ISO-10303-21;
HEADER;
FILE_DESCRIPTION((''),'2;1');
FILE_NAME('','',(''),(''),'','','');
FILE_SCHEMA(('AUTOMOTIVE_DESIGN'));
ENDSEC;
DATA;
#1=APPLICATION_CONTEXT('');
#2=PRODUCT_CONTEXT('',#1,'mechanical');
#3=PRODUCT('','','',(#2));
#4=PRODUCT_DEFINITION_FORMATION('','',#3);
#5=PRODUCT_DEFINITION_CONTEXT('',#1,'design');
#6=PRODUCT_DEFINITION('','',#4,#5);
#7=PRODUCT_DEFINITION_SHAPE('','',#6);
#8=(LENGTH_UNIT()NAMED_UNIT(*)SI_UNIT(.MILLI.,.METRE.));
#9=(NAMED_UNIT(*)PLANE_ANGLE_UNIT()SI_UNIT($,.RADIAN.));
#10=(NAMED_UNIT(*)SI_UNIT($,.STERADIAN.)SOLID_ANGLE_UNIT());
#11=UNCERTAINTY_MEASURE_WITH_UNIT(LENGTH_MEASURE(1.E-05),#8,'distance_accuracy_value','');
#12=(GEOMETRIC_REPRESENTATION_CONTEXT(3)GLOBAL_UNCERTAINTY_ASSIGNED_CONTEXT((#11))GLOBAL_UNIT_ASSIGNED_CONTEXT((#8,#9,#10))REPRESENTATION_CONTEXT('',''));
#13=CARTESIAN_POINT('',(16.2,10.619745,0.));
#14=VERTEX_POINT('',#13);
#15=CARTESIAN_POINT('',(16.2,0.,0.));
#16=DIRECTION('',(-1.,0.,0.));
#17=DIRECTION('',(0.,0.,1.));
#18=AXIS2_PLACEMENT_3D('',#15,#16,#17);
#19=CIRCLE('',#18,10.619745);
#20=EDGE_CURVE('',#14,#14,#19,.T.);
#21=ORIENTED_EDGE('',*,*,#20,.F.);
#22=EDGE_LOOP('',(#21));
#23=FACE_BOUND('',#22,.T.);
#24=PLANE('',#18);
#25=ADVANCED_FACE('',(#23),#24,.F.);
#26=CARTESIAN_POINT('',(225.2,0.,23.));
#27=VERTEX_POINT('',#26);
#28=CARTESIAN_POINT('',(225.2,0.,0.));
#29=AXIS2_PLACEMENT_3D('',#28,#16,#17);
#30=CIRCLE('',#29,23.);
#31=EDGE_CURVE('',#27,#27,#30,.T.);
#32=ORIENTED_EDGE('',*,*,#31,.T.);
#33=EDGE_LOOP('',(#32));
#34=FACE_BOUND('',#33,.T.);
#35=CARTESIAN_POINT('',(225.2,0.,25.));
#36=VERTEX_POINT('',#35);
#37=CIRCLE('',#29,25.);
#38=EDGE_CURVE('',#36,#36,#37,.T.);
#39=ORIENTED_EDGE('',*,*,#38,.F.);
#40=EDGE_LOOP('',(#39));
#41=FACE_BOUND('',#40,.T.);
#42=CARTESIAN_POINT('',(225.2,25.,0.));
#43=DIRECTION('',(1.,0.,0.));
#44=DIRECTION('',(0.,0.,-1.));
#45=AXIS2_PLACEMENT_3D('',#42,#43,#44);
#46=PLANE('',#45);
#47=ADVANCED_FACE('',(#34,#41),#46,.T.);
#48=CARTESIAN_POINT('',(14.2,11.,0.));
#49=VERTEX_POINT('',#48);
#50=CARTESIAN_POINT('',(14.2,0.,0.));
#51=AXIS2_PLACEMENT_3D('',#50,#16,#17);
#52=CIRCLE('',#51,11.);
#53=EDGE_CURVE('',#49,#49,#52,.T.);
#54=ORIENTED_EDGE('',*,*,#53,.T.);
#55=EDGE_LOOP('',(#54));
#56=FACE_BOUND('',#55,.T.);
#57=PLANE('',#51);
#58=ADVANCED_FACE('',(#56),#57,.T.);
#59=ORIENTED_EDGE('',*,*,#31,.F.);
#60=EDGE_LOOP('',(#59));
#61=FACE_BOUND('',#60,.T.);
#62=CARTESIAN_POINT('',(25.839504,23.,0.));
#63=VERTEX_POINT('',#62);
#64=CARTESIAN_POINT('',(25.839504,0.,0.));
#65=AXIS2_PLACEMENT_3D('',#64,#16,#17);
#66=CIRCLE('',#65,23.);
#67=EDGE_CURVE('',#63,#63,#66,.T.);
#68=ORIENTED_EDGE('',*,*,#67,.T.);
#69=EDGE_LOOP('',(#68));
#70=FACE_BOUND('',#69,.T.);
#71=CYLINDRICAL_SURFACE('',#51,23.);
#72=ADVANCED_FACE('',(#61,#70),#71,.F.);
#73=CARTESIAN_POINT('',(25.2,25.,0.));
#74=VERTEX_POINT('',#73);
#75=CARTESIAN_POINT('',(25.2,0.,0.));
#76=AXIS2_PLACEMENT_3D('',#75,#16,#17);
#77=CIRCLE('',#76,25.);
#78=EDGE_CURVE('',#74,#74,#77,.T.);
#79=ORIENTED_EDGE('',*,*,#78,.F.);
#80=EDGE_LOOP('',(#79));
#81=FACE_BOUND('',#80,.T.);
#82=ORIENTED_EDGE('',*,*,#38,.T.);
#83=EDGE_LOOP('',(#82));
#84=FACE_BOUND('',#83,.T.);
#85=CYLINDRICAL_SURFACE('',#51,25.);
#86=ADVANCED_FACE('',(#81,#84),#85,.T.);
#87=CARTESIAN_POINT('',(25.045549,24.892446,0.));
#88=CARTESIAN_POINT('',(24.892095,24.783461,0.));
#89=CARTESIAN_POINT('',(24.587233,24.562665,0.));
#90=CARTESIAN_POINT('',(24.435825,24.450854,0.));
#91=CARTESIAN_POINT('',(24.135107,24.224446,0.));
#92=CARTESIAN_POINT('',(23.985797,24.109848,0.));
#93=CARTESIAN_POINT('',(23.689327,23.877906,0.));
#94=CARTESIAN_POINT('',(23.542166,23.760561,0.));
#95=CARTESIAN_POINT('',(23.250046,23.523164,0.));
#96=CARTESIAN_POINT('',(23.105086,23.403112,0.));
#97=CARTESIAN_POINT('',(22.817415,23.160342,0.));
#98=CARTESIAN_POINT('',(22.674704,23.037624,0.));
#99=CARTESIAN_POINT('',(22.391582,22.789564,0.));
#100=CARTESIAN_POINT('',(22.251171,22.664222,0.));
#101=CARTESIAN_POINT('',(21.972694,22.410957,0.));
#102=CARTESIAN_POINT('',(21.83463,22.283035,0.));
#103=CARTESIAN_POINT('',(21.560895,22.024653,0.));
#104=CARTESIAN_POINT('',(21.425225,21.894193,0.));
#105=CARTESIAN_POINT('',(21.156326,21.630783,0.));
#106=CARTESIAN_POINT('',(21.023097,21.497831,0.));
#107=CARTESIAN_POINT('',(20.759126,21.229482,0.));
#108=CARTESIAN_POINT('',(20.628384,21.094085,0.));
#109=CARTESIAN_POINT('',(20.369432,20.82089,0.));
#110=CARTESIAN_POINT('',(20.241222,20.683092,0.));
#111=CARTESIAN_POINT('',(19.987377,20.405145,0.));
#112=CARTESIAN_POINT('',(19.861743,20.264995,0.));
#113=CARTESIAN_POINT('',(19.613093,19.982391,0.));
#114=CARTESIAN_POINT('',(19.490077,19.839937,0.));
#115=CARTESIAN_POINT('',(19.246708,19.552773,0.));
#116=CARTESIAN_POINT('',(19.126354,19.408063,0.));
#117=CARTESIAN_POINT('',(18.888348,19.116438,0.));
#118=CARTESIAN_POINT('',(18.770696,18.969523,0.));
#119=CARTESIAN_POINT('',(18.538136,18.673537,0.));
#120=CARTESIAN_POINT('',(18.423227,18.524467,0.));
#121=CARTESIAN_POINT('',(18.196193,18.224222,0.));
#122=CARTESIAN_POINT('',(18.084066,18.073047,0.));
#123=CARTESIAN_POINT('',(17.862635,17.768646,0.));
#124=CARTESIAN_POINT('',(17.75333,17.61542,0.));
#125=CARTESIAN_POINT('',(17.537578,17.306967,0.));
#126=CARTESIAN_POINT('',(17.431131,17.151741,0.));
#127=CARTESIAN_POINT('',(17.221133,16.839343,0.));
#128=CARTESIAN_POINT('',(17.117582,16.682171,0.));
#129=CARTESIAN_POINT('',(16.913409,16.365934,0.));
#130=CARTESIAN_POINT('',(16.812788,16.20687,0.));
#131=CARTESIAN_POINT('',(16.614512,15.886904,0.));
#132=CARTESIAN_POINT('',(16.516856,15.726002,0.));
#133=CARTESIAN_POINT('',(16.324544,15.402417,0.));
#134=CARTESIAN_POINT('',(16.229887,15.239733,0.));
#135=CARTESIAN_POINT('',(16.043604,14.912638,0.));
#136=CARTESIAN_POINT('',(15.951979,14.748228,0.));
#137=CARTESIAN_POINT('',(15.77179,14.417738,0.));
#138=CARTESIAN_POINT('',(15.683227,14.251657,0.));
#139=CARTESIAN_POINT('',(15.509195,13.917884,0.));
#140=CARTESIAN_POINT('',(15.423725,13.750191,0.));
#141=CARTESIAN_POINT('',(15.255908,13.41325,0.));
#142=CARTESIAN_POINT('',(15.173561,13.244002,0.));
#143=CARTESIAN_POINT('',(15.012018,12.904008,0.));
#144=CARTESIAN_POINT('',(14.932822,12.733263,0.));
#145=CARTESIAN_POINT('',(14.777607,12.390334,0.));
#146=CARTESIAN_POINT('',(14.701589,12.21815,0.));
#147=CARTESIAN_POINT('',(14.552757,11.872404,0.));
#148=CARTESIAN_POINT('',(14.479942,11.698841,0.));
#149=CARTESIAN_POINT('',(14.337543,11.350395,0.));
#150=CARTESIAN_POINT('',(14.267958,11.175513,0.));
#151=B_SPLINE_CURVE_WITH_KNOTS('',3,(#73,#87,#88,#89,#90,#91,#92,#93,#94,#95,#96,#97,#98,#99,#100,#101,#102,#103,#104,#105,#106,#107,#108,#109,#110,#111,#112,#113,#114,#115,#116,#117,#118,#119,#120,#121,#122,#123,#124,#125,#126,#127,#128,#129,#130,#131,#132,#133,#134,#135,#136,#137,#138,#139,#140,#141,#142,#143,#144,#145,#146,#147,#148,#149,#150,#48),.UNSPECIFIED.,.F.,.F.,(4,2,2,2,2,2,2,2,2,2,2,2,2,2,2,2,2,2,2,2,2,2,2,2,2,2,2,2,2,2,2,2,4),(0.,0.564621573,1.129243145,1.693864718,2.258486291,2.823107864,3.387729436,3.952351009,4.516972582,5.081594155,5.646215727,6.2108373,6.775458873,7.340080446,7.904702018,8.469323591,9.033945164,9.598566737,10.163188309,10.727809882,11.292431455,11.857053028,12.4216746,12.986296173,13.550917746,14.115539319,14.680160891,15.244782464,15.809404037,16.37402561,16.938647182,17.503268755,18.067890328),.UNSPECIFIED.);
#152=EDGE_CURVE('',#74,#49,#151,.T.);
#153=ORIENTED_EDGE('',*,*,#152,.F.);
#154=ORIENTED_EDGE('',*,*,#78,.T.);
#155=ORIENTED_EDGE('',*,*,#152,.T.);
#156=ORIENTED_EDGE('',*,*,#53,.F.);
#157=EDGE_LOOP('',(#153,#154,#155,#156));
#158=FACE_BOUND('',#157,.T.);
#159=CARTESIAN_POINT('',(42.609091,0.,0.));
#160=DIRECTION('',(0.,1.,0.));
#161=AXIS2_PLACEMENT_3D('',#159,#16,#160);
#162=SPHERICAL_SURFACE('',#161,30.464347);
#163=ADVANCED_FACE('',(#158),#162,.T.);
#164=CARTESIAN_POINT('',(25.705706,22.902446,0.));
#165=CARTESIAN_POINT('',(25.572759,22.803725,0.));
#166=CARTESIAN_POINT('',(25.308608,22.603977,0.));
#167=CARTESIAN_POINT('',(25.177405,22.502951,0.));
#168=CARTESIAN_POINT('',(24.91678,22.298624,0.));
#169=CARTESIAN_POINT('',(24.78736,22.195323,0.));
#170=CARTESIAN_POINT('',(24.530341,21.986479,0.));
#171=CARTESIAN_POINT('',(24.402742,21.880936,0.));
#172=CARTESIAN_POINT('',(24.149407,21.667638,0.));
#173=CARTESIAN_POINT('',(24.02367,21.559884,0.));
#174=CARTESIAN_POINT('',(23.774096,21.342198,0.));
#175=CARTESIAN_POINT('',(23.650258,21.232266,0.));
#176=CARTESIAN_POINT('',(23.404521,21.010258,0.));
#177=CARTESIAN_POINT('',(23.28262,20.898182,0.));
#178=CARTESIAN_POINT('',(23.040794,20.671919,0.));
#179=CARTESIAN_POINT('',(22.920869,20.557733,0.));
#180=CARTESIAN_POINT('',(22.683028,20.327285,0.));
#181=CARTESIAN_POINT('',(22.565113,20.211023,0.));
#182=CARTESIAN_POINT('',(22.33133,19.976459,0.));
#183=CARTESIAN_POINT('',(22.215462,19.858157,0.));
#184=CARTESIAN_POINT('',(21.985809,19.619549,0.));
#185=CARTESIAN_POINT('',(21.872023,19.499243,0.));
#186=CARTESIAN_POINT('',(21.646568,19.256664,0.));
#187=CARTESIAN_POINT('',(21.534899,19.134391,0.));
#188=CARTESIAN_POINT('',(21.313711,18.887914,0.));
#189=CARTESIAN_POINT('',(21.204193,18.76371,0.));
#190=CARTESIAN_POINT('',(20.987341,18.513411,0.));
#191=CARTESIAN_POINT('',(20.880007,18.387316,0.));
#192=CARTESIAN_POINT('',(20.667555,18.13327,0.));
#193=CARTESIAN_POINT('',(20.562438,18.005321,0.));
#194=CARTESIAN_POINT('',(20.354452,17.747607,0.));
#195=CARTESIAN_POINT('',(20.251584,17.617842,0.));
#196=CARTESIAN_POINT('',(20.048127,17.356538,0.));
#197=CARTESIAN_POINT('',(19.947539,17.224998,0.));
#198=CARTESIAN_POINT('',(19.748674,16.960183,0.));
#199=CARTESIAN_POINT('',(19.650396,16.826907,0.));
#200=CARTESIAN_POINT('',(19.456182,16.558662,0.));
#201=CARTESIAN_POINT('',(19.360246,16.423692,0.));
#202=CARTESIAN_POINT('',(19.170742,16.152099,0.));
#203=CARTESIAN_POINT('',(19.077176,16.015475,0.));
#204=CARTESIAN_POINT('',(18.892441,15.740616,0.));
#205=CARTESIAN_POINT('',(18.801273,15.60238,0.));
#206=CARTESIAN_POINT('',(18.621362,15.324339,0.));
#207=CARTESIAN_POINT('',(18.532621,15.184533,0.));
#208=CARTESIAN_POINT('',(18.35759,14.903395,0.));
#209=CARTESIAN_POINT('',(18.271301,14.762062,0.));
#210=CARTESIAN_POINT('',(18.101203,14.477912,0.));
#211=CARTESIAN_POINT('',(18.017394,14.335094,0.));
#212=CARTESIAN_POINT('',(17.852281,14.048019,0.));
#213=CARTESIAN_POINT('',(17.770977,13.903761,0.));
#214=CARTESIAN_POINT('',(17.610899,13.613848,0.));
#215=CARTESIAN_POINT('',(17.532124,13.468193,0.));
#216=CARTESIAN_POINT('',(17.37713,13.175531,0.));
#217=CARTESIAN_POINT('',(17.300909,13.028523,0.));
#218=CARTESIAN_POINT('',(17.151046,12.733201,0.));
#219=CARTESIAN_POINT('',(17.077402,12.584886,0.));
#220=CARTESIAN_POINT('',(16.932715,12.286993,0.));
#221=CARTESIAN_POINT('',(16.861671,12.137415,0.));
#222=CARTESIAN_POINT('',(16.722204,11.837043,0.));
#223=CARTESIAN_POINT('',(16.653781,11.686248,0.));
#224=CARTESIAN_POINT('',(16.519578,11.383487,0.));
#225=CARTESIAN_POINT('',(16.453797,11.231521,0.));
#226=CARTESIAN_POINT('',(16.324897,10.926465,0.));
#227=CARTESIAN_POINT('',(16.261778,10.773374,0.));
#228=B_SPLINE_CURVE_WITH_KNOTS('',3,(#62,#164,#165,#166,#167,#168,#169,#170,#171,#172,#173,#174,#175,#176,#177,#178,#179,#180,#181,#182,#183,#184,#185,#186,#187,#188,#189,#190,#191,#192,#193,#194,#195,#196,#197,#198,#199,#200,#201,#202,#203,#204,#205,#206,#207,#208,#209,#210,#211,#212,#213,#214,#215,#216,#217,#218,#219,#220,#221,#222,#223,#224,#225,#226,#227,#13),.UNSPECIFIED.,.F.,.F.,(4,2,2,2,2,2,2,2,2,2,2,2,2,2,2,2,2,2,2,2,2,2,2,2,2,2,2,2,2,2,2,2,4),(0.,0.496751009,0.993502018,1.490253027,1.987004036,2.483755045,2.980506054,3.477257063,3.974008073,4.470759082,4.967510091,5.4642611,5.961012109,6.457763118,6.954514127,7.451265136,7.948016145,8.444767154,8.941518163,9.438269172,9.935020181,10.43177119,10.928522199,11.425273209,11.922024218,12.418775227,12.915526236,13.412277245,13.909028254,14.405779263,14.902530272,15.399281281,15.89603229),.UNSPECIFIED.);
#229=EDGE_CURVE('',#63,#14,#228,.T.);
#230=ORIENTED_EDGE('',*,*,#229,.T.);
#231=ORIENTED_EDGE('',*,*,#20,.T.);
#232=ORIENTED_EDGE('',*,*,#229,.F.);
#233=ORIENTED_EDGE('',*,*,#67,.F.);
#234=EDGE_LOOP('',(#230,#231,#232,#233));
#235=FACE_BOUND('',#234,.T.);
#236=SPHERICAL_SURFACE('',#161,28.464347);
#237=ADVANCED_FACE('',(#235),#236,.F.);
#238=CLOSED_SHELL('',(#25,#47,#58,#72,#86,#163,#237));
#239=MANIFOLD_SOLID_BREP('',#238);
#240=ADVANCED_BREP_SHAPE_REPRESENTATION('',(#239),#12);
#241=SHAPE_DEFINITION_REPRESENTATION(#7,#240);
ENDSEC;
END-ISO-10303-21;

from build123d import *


with BuildPart() as part:
    # Esquisse2 → Base-Révol.-Mince (revolve)
    with BuildSketch(Plane.XY, mode=Mode.PRIVATE) as base_r_vol_mince_sk:
        with BuildLine():
            Line((14.2, 0), (14.2, 11))
            ThreePointArc((14.2, 11), (18.654416078, 18.821530225), (25.2, 25))
            Line((25.2, 25), (225.2, 25))
            Line((225.2, 25), (225.2, 23))
            Line((225.2, 23), (25.839503623, 23))
            ThreePointArc((25.839503623, 23), (20.149855755, 17.487189999), (16.2, 10.619744587))
            Line((16.2, 10.619744587), (16.2, 0))
            Line((16.2, 0), (14.2, 0))
        make_face()
    revolve(base_r_vol_mince_sk.sketch.rotate(Axis((14.2, 0, 0), (1, 0, 0)), 90), axis=Axis((14.2, 0, 0), (1, 0, 0)))


solid = part.part
